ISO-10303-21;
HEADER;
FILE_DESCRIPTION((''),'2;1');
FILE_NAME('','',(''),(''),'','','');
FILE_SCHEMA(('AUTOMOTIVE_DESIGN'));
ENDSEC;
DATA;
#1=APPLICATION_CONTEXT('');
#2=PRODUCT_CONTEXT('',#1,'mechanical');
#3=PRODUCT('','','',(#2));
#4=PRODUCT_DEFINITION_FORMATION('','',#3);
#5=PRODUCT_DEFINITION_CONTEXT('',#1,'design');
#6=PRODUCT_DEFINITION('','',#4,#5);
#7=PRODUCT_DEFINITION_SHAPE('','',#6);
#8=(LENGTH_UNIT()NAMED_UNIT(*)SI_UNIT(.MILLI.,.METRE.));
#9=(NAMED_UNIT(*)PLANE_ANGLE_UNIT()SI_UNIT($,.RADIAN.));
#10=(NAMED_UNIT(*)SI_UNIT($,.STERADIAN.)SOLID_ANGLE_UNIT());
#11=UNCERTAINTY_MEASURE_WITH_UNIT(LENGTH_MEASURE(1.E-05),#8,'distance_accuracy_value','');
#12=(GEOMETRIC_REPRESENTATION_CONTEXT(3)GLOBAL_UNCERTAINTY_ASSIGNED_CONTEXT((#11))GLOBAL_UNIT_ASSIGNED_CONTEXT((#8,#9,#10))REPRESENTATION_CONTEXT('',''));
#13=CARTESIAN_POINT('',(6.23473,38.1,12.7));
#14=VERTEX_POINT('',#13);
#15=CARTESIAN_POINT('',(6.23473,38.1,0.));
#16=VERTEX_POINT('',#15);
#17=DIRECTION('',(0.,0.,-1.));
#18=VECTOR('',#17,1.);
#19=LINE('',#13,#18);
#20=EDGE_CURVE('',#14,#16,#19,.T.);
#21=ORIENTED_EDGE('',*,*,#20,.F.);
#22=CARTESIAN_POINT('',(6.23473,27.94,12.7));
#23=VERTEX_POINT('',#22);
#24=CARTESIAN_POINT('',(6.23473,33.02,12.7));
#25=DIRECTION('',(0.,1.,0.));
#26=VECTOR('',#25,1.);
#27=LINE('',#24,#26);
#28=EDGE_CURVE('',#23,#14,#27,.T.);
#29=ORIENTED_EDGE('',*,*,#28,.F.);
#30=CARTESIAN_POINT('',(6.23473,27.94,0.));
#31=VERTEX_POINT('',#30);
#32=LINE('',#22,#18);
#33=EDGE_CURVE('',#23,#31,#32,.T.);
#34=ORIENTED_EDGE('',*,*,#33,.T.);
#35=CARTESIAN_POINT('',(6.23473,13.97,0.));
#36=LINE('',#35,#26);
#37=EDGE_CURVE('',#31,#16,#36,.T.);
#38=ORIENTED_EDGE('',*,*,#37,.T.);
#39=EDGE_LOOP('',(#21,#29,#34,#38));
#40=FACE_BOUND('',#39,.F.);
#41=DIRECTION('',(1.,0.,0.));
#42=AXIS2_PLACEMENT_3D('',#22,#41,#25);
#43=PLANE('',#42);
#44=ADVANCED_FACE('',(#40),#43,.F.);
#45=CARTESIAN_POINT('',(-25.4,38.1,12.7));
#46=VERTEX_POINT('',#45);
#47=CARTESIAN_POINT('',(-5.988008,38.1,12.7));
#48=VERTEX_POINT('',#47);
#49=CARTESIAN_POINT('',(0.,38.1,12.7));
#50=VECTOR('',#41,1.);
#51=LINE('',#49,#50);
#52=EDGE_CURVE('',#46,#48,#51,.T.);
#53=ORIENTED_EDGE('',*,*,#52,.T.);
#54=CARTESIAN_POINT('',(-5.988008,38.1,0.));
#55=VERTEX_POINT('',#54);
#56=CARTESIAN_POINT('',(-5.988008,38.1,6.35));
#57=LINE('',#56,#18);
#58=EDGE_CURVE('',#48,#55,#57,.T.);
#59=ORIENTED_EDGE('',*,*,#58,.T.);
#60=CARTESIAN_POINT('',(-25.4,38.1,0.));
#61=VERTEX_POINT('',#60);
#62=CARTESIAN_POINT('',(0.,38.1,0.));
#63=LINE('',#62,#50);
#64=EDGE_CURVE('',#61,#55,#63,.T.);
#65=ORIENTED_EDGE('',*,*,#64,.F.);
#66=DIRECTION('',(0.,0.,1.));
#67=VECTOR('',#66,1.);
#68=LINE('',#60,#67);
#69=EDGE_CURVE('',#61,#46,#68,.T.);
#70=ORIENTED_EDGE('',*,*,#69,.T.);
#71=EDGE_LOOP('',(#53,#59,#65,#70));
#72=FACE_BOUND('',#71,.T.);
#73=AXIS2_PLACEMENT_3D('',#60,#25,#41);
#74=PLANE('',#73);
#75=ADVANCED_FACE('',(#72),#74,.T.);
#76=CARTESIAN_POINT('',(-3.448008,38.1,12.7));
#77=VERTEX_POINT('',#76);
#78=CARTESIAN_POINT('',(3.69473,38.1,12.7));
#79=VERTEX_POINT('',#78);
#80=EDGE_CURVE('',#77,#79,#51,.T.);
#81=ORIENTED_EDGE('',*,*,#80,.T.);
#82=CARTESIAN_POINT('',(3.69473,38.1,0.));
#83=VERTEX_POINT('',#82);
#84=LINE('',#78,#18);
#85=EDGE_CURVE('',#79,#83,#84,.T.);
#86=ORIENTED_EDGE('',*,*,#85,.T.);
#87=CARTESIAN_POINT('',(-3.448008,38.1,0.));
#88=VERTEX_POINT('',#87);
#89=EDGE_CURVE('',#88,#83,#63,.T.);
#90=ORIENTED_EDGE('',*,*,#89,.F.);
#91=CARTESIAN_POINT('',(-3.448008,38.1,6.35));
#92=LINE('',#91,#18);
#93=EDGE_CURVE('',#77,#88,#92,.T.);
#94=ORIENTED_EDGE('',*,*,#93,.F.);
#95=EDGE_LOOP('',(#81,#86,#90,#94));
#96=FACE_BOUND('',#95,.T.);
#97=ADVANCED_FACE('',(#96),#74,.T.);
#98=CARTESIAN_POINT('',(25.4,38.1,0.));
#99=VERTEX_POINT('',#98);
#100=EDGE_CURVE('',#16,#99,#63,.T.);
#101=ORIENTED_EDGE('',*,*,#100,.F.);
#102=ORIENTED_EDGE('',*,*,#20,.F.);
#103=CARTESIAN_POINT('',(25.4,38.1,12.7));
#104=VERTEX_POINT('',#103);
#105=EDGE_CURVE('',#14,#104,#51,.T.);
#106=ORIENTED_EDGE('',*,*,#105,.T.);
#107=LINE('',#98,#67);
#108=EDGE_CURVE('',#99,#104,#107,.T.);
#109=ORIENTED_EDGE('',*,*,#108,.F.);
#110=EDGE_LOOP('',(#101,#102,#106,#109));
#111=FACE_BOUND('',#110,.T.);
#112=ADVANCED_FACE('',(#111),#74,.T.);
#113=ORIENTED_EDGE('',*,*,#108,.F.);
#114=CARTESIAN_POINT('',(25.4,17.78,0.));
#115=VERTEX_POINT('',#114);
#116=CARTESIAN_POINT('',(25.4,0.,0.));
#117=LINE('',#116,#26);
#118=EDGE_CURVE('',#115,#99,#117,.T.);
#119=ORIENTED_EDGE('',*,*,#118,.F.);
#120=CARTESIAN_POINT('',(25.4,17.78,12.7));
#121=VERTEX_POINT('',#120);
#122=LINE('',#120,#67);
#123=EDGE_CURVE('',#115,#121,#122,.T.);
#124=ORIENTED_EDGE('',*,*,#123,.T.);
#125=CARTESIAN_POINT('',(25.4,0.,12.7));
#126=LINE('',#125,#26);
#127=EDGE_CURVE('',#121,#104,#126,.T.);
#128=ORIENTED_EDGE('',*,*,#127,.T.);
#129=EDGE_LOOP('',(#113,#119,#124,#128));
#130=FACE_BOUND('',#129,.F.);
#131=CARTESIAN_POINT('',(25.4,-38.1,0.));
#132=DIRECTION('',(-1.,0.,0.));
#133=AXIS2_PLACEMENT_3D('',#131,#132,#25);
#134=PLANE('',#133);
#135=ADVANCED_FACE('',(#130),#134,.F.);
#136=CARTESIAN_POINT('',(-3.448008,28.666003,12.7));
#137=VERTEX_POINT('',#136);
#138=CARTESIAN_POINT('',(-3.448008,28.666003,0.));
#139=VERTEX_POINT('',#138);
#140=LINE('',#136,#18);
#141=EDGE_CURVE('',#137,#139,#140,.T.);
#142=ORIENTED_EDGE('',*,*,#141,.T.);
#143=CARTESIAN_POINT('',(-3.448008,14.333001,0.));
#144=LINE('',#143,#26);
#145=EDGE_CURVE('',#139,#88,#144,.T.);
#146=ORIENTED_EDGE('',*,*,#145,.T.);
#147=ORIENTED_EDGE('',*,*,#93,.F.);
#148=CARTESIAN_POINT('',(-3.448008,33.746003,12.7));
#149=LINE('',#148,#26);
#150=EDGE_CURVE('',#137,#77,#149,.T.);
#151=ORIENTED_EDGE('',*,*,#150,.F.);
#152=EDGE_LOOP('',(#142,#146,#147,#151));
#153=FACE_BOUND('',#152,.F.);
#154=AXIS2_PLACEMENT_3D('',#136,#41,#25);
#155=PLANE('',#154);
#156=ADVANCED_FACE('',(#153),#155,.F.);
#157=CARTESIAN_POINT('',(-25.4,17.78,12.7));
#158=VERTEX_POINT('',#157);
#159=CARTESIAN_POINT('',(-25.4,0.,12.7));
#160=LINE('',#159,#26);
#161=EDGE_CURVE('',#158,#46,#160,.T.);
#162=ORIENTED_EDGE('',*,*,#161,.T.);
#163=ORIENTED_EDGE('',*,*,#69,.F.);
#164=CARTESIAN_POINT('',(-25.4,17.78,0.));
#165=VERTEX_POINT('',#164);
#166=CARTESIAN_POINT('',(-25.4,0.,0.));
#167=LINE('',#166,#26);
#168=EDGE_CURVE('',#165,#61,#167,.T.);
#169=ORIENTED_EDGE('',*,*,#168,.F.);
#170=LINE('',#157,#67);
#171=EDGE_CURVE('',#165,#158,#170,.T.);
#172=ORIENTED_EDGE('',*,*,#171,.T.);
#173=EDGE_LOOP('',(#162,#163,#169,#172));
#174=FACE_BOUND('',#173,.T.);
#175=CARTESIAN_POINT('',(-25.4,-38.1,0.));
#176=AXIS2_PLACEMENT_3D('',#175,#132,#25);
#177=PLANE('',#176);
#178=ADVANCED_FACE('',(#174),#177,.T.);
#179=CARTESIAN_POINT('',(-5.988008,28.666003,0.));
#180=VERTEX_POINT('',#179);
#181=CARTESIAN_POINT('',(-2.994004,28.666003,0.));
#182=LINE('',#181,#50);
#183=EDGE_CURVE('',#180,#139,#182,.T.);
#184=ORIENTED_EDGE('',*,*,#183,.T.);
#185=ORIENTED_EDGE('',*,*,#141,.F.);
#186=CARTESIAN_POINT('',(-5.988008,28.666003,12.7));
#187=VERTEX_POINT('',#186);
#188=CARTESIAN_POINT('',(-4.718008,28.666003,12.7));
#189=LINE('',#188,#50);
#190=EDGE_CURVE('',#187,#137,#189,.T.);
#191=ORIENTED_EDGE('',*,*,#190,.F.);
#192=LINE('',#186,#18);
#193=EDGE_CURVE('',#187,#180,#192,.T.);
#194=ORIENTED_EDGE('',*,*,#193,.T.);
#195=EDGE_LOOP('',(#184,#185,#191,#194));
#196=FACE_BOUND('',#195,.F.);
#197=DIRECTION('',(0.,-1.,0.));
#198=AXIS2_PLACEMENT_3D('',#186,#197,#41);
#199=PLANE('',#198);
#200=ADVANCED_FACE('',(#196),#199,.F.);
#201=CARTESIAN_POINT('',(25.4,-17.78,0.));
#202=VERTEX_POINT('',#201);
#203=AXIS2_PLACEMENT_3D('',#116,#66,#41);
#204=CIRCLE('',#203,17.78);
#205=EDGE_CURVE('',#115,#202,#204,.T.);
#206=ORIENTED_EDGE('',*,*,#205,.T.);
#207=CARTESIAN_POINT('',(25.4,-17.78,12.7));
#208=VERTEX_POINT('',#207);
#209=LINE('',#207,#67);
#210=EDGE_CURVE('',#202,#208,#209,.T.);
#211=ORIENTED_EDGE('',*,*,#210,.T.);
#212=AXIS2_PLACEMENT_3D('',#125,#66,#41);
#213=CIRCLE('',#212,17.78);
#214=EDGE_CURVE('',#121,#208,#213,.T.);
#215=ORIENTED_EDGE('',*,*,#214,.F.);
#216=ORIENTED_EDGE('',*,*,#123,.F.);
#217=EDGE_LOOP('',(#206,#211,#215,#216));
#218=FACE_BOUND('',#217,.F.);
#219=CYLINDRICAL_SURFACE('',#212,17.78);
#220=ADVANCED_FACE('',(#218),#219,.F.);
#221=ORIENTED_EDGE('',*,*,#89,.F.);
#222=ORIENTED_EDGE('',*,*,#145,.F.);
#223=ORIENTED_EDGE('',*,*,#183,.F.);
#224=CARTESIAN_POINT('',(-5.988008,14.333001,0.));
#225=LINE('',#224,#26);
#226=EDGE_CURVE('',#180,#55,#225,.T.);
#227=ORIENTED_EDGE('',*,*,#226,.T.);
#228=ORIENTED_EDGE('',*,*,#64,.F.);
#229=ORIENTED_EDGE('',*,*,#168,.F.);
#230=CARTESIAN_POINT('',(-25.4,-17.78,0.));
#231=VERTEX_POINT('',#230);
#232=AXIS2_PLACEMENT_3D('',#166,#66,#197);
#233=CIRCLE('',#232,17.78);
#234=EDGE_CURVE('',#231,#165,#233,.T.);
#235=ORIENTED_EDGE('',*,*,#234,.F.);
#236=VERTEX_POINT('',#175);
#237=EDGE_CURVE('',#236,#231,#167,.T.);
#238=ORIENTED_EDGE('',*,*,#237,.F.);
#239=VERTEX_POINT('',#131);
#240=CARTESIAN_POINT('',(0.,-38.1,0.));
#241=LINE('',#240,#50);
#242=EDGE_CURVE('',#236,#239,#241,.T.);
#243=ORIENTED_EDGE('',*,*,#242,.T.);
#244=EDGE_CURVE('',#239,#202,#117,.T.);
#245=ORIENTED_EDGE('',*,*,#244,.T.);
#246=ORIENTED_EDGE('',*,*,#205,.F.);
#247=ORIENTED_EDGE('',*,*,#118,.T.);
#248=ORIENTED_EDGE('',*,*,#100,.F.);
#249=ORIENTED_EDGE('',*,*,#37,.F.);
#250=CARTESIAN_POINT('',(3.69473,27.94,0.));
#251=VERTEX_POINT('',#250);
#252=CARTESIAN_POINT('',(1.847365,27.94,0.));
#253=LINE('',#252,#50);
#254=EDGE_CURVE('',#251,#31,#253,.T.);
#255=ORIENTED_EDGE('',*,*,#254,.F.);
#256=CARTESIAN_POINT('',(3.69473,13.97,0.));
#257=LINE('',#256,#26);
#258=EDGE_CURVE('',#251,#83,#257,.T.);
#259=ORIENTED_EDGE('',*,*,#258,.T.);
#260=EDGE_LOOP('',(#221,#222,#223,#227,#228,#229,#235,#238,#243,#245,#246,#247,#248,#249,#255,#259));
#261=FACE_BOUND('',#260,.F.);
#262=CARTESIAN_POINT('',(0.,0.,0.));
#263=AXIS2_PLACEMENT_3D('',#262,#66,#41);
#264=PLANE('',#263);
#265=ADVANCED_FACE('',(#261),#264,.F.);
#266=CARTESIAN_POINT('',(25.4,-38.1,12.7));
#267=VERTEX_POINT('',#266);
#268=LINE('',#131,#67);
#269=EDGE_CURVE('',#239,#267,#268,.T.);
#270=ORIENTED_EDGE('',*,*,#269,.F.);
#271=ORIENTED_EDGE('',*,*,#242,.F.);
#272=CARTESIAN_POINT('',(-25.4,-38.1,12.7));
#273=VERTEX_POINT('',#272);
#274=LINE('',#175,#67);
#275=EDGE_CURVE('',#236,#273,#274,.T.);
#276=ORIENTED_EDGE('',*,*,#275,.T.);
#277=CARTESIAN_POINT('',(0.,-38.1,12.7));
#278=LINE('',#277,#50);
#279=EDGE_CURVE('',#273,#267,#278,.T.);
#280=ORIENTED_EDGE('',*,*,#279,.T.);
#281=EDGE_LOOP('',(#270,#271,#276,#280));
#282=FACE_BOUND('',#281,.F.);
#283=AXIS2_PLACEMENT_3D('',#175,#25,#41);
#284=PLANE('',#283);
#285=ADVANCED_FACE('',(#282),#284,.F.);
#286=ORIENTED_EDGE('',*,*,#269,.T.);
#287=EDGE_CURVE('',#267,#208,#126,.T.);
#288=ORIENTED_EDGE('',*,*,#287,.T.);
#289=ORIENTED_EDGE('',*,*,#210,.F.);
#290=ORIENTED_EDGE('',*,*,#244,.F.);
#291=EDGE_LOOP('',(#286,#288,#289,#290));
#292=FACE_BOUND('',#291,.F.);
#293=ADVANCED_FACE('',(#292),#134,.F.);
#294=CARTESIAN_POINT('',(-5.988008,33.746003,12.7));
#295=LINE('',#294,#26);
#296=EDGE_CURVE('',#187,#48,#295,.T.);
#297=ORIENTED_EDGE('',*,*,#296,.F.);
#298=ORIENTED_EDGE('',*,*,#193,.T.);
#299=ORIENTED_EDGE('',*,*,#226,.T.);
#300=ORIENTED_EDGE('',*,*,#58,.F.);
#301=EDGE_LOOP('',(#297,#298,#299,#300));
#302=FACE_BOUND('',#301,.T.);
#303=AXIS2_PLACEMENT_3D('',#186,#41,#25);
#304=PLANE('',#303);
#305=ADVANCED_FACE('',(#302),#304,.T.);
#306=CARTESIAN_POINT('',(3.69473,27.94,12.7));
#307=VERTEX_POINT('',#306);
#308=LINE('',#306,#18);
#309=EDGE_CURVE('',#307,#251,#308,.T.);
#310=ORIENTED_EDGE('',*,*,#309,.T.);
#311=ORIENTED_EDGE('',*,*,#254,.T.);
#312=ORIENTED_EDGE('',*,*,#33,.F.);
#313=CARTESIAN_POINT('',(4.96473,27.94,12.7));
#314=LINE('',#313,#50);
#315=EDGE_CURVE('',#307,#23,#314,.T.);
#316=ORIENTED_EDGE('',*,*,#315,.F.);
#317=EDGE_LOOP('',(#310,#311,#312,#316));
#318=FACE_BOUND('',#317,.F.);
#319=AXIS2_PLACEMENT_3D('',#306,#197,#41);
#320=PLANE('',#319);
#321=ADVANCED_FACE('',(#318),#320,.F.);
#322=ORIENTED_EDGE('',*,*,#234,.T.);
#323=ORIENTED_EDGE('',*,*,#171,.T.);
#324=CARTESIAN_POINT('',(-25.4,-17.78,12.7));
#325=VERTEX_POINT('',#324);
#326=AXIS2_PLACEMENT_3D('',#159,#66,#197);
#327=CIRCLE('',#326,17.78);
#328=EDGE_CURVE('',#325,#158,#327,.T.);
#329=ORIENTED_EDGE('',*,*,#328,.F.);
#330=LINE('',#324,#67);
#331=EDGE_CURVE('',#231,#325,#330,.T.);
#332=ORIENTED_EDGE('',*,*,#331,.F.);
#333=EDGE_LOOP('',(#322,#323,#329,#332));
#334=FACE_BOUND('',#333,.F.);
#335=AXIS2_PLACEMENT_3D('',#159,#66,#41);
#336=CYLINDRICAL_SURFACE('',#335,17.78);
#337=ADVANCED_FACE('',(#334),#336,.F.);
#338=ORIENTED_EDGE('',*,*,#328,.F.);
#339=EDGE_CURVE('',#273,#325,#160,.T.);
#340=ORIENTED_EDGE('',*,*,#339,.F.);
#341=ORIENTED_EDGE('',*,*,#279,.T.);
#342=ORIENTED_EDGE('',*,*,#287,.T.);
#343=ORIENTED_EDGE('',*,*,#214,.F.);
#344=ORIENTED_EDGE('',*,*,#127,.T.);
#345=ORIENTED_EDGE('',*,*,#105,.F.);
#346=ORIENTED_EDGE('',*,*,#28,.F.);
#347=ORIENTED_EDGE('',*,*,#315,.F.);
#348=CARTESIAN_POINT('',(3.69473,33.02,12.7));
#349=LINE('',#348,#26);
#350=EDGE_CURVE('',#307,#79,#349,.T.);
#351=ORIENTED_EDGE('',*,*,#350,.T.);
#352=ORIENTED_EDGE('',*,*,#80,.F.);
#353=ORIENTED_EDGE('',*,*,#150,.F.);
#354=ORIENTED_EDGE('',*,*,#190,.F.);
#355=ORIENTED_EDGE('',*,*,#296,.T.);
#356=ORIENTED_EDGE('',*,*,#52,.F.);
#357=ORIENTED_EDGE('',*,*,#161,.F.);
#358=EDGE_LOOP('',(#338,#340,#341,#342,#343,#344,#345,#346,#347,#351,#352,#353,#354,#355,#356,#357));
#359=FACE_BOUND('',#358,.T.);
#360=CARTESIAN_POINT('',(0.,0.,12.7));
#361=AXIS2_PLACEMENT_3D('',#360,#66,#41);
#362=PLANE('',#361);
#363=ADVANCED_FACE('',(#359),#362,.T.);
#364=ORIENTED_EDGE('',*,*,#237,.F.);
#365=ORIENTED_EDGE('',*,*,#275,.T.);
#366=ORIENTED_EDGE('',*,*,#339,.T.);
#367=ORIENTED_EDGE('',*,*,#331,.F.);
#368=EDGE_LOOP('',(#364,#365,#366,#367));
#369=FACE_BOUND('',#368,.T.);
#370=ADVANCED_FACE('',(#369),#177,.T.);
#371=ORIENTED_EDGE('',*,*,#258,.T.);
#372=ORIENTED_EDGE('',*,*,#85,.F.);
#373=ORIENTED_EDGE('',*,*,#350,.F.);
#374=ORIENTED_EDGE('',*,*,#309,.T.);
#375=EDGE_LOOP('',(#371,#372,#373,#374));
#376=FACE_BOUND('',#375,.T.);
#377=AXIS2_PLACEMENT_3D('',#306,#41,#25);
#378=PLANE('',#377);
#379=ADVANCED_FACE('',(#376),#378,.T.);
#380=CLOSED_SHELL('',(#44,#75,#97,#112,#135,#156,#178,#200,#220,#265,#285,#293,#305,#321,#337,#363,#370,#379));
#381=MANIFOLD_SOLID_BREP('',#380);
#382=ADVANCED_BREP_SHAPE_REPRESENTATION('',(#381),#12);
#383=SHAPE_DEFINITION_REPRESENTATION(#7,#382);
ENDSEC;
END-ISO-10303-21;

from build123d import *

# Parameters (mm, degrees)
F0_W     = 50.8
F0_H     = 76.2
F1_DEPTH = 12.7
F2_R     = 17.78
F3_DEPTH = 25.4
F4_R     = 17.78
F5_DEPTH = 25.4
F6_W     = 2.54
F6_H     = 10.16
F7_DEPTH = 25.4
F8_W     = 2.54
F8_H     = 10.16
F9_DEPTH = 25.4


with BuildPart() as f1:
    # F0 (on Top) → F1 (new body)
    with BuildSketch(Plane.XY):
        Rectangle(F0_W, F0_H)
    extrude(amount=F1_DEPTH)

    # F2 (on face) → F3 (cut)
    with BuildSketch(Plane.XY.offset(12.7)):
        with Locations((25.4, 0)):
            Circle(F2_R)
    extrude(amount=-F3_DEPTH, mode=Mode.SUBTRACT)

    # F4 (on face) → F5 (cut)
    with BuildSketch(Plane.XY.offset(12.7)):
        with Locations((-25.4, 0)):
            Circle(F4_R)
    extrude(amount=-F5_DEPTH, mode=Mode.SUBTRACT)

    # F6 (on face) → F7 (cut)
    with BuildSketch(Plane.XY.offset(12.7)):
        with Locations((4.96473, 33.02)):
            Rectangle(F6_W, F6_H)
    extrude(amount=-F7_DEPTH, mode=Mode.SUBTRACT)

    # F8 (on face) → F9 (cut)
    with BuildSketch(Plane.XY.offset(12.7)):
        with Locations((-4.718008, 33.746003)):
            Rectangle(F8_W, F8_H)
    extrude(amount=-F9_DEPTH, mode=Mode.SUBTRACT)


solid = f1.part
